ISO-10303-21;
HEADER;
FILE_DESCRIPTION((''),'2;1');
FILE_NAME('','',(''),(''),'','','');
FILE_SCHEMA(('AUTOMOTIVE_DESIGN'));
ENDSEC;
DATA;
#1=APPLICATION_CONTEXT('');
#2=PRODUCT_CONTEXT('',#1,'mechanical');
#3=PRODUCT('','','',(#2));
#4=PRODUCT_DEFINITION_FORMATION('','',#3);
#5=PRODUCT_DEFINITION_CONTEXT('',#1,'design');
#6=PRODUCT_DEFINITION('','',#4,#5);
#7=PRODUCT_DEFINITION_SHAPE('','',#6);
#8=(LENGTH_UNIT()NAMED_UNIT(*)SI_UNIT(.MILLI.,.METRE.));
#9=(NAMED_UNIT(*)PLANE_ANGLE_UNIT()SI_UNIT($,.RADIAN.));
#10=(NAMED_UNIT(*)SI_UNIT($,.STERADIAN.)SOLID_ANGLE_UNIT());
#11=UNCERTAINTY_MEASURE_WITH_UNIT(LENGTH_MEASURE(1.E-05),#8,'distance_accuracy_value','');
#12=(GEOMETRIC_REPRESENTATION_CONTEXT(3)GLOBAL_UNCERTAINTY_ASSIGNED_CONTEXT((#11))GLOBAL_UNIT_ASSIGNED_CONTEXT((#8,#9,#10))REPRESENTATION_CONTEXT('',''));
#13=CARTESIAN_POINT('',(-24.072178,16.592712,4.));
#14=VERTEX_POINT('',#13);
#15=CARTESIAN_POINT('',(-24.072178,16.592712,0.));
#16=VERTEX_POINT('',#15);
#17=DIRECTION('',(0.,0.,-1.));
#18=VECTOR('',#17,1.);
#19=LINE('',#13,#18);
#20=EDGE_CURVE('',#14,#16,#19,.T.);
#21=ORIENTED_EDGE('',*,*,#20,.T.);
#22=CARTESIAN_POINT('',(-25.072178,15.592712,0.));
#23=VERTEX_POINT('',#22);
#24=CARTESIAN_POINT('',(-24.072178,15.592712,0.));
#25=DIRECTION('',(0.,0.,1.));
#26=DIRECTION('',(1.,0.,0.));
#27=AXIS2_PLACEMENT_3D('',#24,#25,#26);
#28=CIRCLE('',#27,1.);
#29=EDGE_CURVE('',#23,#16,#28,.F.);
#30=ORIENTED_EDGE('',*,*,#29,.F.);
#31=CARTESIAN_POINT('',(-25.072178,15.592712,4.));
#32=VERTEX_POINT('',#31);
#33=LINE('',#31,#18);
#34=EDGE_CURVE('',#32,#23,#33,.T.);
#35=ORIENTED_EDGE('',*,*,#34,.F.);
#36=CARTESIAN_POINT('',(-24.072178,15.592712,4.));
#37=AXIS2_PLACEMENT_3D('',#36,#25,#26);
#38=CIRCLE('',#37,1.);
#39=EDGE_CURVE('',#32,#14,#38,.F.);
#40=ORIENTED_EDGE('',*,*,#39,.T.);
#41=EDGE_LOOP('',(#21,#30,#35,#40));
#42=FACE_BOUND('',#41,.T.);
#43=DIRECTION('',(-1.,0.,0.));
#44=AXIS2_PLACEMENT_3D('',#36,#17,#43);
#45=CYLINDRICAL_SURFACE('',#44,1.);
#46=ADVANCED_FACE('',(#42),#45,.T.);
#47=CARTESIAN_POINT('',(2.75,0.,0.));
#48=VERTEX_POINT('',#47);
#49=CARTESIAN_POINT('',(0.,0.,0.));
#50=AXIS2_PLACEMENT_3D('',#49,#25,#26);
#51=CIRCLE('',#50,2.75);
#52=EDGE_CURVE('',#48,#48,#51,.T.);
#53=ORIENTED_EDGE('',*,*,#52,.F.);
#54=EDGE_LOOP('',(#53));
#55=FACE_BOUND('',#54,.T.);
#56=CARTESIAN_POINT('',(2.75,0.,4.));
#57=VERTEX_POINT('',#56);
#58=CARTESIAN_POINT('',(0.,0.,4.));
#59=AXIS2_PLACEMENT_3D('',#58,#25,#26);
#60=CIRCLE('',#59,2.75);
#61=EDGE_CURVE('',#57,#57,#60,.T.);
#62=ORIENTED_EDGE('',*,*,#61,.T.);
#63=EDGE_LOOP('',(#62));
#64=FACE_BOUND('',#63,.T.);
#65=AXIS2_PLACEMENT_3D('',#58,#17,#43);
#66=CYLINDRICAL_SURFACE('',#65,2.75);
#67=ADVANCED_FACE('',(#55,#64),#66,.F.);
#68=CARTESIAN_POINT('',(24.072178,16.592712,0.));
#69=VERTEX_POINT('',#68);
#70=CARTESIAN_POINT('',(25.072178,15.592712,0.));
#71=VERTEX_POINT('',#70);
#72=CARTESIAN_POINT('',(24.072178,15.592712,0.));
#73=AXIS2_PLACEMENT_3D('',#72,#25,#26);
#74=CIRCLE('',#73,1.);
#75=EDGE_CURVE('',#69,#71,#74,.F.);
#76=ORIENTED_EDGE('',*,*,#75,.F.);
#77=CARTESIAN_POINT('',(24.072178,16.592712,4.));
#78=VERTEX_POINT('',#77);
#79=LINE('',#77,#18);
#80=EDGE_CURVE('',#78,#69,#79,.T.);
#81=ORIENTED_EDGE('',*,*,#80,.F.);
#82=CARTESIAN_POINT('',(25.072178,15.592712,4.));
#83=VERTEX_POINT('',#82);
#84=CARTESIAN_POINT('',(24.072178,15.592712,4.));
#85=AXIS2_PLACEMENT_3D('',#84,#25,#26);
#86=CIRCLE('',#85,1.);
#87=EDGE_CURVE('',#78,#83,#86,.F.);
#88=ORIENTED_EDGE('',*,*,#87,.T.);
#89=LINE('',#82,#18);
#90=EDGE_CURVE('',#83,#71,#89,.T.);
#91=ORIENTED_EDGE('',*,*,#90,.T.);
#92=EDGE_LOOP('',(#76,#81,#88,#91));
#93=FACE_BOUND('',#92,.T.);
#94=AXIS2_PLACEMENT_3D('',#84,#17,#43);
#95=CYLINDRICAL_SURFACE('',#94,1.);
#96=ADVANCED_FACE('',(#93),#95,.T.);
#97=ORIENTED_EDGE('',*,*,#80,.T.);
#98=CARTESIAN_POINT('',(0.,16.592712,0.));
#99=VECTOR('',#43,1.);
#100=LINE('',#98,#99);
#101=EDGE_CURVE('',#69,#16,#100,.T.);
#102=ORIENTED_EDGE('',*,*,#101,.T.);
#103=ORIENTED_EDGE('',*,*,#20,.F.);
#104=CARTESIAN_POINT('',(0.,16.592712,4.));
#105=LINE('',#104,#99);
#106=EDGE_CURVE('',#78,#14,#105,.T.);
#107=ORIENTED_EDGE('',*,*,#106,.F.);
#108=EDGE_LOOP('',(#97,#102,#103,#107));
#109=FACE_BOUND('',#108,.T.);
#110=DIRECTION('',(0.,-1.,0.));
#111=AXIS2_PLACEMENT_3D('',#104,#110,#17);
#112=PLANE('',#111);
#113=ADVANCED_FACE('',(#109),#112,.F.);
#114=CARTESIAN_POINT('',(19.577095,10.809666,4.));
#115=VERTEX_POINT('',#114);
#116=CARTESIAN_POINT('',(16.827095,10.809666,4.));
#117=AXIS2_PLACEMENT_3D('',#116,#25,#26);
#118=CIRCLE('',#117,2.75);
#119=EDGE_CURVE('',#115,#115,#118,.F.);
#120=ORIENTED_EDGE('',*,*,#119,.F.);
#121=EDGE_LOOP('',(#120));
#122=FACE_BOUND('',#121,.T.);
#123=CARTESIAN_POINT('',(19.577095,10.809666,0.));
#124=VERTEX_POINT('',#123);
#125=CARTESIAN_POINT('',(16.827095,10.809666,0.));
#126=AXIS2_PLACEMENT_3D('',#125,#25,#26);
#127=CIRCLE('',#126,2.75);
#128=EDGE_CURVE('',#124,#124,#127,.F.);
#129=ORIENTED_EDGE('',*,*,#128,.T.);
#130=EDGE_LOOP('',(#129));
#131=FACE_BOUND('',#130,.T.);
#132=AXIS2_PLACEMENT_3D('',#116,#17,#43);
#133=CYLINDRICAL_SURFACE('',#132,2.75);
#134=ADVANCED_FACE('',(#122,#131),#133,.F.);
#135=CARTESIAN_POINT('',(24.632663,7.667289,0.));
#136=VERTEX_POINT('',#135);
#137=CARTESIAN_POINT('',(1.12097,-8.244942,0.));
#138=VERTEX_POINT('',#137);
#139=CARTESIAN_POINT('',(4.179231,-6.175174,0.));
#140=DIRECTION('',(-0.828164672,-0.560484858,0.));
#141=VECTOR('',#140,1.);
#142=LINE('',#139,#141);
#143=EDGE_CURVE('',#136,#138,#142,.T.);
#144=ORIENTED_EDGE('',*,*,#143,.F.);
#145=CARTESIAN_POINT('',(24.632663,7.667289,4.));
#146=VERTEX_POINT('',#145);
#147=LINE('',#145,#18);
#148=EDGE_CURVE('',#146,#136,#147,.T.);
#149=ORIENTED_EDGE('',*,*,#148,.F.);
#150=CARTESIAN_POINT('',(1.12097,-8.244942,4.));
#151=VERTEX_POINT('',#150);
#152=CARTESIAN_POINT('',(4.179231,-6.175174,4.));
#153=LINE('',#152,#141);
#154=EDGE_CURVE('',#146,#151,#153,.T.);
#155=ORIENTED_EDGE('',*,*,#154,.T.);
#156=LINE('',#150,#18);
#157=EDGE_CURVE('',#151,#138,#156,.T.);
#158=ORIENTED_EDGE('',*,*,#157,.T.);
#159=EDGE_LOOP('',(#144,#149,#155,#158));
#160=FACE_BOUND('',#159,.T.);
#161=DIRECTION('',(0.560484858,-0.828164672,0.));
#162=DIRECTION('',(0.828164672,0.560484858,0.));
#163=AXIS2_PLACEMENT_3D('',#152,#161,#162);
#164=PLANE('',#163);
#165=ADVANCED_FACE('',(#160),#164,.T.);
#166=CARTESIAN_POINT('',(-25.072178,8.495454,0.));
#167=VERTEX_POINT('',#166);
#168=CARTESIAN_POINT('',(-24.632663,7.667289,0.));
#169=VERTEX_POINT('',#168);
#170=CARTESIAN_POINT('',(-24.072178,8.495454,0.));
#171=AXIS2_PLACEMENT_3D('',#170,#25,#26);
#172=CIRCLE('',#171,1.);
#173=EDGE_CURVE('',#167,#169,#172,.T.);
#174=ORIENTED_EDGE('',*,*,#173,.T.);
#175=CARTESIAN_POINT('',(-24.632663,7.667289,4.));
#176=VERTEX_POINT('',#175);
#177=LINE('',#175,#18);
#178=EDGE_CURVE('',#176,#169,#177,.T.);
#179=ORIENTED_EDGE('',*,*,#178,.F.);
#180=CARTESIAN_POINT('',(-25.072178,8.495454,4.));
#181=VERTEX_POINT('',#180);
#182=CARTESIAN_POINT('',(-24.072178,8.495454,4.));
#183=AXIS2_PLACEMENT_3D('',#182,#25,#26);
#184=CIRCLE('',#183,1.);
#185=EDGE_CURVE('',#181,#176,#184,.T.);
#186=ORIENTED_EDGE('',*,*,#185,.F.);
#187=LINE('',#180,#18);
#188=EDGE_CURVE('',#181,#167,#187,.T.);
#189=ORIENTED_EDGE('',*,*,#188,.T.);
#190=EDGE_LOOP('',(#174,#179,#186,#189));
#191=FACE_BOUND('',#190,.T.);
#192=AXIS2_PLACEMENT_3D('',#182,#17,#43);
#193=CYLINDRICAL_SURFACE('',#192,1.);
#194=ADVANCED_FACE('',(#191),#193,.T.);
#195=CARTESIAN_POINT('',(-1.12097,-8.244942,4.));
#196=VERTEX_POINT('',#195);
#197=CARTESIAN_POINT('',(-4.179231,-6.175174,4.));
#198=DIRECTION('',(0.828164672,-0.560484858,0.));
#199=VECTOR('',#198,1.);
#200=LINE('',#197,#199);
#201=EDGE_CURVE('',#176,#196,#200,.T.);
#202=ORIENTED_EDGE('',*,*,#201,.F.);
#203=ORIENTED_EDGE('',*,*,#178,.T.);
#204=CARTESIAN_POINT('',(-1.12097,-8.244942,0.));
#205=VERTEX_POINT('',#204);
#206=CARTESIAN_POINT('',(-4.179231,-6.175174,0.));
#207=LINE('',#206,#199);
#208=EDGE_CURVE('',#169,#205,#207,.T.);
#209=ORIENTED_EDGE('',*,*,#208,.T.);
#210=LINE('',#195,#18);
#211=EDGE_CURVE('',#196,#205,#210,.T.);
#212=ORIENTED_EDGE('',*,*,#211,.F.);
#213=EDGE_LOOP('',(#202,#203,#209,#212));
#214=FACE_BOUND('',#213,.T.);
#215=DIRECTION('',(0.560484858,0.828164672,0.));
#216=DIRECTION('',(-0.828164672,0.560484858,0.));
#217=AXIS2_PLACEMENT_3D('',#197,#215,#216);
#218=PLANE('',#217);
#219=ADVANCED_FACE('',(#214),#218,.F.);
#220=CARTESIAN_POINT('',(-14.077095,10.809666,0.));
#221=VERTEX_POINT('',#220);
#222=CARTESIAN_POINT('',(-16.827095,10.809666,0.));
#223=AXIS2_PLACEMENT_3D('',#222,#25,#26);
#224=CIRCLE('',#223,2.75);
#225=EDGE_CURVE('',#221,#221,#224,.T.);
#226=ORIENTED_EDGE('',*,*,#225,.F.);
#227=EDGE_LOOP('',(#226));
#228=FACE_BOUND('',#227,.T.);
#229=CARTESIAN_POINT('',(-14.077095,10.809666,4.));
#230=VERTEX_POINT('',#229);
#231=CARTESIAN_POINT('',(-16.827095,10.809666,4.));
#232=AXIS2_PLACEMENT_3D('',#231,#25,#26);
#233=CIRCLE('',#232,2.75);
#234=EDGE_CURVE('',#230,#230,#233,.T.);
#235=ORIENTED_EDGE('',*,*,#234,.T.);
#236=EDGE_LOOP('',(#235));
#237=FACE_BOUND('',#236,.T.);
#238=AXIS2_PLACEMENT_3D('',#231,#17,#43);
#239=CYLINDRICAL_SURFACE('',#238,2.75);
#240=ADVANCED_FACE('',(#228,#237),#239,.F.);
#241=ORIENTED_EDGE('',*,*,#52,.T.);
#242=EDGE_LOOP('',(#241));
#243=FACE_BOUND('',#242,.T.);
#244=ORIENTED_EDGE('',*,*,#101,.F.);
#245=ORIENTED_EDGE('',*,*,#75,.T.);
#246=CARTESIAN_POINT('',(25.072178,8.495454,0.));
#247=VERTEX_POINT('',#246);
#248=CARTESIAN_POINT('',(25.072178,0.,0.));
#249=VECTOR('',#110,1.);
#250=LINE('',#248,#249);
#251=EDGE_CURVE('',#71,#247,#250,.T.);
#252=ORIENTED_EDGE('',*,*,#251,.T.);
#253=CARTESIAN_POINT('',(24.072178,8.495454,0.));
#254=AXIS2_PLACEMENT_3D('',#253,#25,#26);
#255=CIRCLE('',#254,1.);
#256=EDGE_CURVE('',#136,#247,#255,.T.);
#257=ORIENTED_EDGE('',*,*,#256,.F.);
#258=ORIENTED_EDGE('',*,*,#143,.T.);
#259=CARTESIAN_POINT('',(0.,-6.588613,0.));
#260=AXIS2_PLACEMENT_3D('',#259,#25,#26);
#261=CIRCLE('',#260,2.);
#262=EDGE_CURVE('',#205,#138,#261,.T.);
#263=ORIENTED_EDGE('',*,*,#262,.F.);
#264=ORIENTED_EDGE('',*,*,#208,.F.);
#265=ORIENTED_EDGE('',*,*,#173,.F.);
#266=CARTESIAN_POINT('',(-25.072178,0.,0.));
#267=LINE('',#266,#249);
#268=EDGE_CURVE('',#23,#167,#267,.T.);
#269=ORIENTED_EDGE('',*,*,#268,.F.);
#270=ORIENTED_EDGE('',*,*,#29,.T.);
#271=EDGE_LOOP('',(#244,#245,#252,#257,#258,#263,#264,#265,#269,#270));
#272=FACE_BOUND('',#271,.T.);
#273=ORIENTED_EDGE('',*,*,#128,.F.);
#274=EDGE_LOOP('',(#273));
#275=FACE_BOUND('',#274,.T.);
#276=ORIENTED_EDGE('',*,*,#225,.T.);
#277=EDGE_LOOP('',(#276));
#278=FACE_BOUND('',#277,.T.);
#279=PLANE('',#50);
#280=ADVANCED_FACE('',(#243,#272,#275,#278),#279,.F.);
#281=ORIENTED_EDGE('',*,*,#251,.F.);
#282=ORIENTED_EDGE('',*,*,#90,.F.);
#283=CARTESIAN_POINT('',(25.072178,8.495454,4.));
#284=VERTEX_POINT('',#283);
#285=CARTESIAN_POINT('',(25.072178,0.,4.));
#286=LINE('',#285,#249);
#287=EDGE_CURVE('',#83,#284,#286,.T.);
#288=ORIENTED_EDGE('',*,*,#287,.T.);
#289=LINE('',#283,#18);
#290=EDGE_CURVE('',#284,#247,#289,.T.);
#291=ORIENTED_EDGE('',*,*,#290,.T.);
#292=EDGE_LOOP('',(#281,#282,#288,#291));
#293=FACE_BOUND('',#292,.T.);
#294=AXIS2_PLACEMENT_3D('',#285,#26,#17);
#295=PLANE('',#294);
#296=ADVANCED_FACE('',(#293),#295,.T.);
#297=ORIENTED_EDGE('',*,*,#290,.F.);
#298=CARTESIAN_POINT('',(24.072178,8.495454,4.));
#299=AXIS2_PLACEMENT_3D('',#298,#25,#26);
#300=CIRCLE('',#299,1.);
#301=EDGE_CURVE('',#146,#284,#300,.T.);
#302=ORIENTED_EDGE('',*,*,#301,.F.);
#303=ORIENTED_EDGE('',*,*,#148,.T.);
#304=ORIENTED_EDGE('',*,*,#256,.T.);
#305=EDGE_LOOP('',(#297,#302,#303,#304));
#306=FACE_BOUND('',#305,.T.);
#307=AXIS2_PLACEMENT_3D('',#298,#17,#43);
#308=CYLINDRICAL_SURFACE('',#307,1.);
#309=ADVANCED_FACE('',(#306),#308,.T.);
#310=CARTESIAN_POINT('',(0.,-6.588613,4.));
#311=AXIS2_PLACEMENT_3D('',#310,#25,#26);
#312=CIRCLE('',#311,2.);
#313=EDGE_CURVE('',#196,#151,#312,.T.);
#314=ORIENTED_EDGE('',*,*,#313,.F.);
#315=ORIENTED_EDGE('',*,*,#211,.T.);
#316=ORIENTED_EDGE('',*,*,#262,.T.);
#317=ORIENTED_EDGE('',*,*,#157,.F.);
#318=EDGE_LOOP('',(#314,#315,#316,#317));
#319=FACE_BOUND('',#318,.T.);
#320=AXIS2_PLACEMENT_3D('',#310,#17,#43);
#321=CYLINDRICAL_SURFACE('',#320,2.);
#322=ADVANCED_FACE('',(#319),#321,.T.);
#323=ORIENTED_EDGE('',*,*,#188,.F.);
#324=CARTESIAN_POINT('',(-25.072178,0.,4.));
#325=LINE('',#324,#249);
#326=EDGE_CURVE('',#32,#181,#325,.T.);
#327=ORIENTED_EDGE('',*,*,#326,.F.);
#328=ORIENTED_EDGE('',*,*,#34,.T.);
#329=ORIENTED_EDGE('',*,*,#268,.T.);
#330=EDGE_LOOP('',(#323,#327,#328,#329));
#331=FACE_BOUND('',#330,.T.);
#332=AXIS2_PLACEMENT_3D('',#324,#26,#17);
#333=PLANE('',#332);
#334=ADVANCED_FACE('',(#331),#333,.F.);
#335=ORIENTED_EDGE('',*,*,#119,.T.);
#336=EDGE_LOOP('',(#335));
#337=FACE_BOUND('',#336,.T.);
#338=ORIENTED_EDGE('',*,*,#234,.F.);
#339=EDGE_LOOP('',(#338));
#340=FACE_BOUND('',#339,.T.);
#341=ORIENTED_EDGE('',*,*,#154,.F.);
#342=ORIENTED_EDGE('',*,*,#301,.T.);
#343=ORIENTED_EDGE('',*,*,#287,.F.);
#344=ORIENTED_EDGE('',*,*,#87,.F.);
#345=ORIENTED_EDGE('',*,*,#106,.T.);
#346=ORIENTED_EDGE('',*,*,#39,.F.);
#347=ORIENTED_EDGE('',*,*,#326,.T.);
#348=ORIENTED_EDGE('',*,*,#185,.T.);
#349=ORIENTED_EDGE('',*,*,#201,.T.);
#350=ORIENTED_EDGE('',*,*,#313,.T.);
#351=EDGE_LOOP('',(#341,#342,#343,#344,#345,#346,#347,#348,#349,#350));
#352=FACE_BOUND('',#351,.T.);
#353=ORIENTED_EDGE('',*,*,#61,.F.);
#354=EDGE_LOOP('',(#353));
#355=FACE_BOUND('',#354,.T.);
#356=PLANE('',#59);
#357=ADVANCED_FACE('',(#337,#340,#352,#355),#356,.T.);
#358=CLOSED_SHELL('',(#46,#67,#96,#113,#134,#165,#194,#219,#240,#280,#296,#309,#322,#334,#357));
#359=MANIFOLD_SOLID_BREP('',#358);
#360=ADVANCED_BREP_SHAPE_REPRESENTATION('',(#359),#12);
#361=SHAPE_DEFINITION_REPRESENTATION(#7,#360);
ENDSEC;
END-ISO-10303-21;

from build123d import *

# Parameters (mm, degrees)
SKETCH1_R           = 2.75
BOSS_EXTRUDE1_DEPTH = 4


with BuildPart() as part:
    # Sketch1 → Boss-Extrude1 (new body)
    with BuildSketch(Plane.XY):
        with BuildLine():
            Line((24.072178339, 16.5927117), (-24.072178339, 16.5927117))
            ThreePointArc((-24.072178339, 16.5927117), (-24.779285121, 16.299818481), (-25.072178339, 15.5927117))
            Line((-25.072178339, 15.5927117), (-25.072178339, 8.49545414))
            ThreePointArc((-25.072178339, 8.49545414), (-24.955491664, 8.026671065), (-24.632663198, 7.667289468))
            Line((-24.632663198, 7.667289468), (-1.120969717, -8.244942286))
            ThreePointArc((-1.120969717, -8.244942286), (0, -8.588612943), (1.120969717, -8.244942286))
            Line((1.120969717, -8.244942286), (24.632663198, 7.667289468))
            ThreePointArc((24.632663198, 7.667289468), (24.955491664, 8.026671065), (25.072178339, 8.49545414))
            Line((25.072178339, 8.49545414), (25.072178339, 15.5927117))
            ThreePointArc((25.072178339, 15.5927117), (24.779285121, 16.299818481), (24.072178339, 16.5927117))
        make_face()
        Circle(SKETCH1_R, mode=Mode.SUBTRACT)
        with Locations((-16.827094957, 10.809665828)):
            Circle(SKETCH1_R, mode=Mode.SUBTRACT)
        with Locations((16.827094957, 10.809665828)):
            Circle(SKETCH1_R, mode=Mode.SUBTRACT)
    extrude(amount=BOSS_EXTRUDE1_DEPTH)


solid = part.part
